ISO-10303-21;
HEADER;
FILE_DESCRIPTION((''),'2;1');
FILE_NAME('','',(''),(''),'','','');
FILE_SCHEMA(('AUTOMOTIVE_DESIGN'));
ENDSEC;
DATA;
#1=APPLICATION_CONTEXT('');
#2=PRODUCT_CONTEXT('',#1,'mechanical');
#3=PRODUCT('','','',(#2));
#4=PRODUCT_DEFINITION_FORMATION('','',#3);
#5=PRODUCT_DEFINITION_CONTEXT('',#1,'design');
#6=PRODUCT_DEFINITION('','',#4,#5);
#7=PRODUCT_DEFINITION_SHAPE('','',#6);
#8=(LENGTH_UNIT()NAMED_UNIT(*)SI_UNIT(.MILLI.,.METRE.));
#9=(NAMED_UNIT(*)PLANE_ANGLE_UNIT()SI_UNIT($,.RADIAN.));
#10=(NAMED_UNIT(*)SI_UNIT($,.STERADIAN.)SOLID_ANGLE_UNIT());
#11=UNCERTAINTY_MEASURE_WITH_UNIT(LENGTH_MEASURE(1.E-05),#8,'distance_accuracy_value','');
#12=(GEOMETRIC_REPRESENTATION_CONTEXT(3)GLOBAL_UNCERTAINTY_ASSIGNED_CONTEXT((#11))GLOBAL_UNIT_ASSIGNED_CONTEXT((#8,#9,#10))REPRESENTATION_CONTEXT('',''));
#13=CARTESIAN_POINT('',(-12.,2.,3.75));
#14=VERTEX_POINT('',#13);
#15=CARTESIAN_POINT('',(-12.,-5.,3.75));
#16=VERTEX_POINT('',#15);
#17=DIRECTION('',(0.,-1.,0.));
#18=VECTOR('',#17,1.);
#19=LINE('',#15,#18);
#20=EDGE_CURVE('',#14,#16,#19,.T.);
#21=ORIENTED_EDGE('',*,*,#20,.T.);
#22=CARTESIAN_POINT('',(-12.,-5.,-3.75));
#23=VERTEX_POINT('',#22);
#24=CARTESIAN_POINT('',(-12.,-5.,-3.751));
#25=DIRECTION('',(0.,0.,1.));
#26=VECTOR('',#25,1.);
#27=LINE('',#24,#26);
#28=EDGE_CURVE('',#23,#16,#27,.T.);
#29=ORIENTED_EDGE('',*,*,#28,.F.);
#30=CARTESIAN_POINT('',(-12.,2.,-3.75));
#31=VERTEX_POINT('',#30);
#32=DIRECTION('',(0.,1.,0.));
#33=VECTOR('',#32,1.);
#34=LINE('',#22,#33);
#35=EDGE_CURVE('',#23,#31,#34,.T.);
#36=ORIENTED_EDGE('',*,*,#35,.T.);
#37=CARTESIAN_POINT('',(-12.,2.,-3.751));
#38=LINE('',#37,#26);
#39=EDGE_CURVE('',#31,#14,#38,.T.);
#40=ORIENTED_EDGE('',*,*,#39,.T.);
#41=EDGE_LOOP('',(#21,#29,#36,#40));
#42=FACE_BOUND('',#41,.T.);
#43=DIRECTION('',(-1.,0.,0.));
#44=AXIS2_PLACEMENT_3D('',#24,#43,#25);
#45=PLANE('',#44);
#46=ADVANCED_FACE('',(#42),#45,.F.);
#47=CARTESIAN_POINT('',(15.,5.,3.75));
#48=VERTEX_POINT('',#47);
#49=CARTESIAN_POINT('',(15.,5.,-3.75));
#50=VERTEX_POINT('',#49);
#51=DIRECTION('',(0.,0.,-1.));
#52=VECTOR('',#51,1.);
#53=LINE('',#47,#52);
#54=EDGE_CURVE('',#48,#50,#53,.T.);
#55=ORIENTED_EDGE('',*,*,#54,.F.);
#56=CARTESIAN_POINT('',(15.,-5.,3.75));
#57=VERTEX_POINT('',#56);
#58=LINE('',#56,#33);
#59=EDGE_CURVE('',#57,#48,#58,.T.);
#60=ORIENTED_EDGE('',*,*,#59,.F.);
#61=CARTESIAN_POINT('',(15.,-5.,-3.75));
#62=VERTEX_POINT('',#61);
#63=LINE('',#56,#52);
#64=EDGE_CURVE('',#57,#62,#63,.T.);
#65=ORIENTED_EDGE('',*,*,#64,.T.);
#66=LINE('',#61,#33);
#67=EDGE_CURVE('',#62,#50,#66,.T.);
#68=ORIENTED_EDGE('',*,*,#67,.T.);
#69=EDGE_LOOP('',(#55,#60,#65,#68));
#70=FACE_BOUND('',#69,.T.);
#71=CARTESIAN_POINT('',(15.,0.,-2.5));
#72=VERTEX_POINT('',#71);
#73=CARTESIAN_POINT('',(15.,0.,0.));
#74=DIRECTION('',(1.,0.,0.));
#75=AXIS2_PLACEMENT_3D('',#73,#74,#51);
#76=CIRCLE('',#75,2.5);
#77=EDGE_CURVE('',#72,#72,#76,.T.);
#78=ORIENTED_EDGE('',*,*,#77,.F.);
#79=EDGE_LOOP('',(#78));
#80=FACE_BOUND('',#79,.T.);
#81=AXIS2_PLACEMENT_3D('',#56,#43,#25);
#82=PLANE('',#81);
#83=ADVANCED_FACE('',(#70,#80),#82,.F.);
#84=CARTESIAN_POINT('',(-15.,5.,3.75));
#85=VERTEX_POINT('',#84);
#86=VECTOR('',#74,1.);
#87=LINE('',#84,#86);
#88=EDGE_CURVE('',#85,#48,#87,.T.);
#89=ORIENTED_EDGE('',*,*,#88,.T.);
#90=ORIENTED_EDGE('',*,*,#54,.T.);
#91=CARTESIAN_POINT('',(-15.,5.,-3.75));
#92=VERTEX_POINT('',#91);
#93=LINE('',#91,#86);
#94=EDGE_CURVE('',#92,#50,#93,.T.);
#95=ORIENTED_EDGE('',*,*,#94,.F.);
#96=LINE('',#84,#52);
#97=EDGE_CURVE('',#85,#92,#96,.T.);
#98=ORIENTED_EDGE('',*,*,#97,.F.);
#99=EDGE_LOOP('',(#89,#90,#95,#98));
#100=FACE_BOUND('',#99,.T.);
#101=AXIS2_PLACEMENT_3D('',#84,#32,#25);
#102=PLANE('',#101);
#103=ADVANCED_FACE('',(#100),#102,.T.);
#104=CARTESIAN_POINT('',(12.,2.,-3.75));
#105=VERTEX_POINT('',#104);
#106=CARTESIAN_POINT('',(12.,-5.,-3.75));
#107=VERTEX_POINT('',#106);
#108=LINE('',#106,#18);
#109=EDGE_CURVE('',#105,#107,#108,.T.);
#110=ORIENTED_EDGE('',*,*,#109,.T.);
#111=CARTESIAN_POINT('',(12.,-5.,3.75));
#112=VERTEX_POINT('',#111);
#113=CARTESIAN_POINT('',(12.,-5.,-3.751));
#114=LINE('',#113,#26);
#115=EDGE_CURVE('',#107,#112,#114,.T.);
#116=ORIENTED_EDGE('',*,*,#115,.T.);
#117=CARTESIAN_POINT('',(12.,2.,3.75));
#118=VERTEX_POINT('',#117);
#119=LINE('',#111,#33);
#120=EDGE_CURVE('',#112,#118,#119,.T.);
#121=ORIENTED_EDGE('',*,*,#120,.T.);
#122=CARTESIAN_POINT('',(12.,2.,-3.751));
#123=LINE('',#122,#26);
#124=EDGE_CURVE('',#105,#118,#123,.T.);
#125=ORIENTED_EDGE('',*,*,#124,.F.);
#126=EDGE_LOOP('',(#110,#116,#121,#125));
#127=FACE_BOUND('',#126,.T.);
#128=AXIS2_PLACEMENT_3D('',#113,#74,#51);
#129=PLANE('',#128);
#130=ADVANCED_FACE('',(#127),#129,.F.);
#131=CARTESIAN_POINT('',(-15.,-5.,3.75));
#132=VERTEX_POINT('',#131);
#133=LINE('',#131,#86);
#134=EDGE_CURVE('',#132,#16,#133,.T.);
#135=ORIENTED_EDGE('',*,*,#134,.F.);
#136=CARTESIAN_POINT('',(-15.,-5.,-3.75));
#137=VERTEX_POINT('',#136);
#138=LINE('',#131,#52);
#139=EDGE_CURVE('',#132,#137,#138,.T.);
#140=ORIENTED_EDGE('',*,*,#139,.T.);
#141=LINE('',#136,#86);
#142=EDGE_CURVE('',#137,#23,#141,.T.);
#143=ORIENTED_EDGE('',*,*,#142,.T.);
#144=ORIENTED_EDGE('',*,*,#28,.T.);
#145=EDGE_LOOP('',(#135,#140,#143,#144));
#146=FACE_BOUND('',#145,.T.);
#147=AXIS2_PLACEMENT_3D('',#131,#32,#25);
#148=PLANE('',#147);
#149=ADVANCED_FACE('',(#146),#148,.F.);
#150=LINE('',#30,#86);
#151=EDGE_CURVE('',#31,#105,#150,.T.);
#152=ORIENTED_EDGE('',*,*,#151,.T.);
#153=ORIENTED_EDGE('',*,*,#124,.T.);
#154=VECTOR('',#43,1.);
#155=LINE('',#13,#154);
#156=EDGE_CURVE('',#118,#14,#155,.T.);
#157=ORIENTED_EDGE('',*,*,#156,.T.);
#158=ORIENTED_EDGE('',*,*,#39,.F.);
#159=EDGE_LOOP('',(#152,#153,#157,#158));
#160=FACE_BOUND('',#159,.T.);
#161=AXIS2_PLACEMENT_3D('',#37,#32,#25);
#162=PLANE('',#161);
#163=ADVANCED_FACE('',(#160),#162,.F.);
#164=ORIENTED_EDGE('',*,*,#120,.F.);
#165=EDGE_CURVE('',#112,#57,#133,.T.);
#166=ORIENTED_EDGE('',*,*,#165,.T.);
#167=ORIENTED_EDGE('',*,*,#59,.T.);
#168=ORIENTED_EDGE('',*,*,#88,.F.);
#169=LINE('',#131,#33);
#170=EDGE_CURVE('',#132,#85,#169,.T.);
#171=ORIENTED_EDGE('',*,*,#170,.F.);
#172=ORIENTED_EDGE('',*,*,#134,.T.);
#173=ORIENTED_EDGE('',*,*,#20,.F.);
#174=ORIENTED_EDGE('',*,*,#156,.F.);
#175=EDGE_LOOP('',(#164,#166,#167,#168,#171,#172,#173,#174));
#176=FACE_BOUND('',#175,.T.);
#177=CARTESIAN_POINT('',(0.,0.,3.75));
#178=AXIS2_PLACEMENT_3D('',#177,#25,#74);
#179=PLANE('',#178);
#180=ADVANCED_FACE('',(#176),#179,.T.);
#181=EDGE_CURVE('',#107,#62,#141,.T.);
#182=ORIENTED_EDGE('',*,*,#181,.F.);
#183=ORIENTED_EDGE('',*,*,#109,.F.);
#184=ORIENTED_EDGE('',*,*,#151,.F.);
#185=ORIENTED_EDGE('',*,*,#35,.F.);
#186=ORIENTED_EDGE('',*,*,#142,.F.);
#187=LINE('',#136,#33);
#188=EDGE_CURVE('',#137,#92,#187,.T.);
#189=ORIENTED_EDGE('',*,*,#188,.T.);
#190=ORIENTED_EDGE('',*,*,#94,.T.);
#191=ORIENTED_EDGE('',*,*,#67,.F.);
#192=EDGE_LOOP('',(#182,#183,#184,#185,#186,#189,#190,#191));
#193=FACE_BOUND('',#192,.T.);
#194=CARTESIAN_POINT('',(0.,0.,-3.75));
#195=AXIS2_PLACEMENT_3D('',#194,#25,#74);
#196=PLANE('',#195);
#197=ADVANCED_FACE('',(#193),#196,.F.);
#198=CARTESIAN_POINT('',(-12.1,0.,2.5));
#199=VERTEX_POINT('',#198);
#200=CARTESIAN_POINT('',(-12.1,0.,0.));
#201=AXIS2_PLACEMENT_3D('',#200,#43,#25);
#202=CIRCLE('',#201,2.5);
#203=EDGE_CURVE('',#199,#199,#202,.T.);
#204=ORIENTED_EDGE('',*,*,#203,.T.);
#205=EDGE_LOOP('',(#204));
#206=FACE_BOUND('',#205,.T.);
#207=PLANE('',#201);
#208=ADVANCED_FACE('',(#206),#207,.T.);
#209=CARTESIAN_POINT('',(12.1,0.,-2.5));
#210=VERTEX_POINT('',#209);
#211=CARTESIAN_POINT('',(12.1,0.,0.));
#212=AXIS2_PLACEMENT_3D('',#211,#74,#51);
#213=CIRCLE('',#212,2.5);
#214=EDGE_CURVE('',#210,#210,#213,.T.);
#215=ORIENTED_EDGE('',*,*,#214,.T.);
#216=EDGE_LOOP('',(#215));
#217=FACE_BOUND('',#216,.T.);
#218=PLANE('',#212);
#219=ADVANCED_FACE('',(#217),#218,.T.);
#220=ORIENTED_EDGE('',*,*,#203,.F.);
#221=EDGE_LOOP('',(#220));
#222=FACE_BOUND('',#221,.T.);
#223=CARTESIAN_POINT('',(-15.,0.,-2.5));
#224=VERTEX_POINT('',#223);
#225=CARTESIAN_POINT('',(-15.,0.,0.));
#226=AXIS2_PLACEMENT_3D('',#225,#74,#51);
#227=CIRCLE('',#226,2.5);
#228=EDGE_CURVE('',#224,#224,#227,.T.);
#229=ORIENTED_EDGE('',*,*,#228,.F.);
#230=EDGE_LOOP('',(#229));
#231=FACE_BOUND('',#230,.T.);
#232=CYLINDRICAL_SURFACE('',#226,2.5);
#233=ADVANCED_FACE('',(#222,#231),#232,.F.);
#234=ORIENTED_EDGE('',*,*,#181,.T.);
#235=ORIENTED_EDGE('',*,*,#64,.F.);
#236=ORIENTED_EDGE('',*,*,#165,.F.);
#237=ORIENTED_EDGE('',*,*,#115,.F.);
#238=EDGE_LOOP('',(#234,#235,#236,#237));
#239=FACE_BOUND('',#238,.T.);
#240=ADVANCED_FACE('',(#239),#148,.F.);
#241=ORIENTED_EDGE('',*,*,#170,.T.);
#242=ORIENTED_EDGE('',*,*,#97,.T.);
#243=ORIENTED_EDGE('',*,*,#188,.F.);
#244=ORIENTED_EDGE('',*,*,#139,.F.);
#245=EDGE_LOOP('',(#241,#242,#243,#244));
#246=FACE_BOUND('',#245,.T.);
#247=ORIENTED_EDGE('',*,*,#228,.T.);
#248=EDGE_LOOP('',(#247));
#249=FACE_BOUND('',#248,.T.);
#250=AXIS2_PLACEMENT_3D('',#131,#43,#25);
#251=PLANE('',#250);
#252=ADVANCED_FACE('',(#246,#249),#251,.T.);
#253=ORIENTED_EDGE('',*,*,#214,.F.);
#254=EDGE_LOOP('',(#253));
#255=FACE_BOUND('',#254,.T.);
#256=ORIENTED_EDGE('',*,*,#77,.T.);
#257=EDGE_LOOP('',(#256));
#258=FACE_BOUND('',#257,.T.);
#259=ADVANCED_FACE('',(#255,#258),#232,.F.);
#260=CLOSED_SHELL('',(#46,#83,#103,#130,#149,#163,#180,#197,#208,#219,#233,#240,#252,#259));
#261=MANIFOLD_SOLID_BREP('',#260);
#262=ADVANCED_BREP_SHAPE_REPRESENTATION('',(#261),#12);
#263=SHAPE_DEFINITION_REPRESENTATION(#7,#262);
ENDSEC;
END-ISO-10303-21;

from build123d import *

# Parameters (mm, degrees)
SKETCH1_W               = 30
SKETCH1_H               = 10
BOSS_EXTRUDE1_DEPTH     = 3.75
CUT_EXTRUDE1_REACH      = 9.5
SKETCH2_W               = 24
SKETCH2_H               = 7
SKETCH4_R               = 2.5
CUT_EXTRUDE2_DEPTH      = 16
CUT_EXTRUDE2_DEPTH_BACK = 16
BOSS_EXTRUDE2_START     = -3
SKETCH5_R               = 2.5
BOSS_EXTRUDE2_DEPTH     = 0.1
BOSS_EXTRUDE3_START     = -3
SKETCH6_R               = 2.5
BOSS_EXTRUDE3_DEPTH     = 0.1
SKETCH7_W               = 24
SKETCH7_H               = 3
BOSS_EXTRUDE4_DEPTH     = 7.5


with BuildPart() as part:
    # Sketch1 → Boss-Extrude1 (new body, symmetric)
    with BuildSketch(Plane.XY):
        Rectangle(SKETCH1_W, SKETCH1_H)
    extrude(amount=BOSS_EXTRUDE1_DEPTH, both=True)

    # Sketch2 → Cut-Extrude1 (cut, up to next)
    with BuildSketch(Plane.XY.offset(3.75), mode=Mode.PRIVATE) as cut_extrude1_sk1:
        with Locations((0, -1.5)):
            Rectangle(SKETCH2_W, SKETCH2_H)
    cut_extrude1_tool1 = extrude(cut_extrude1_sk1.sketch, amount=-CUT_EXTRUDE1_REACH, mode=Mode.PRIVATE) & part.part
    add(cut_extrude1_tool1.solids().sort_by_distance((0, -1.5, 3.75))[0], mode=Mode.SUBTRACT)

    # Sketch4 → Cut-Extrude2 (cut, two sides)
    with BuildSketch(Plane(origin=(0, 0, 0), x_dir=(0, 0, -1), z_dir=(1, 0, 0))) as cut_extrude2_sk:
        Circle(SKETCH4_R)
    extrude(amount=CUT_EXTRUDE2_DEPTH, mode=Mode.SUBTRACT)
    extrude(cut_extrude2_sk.sketch, amount=-CUT_EXTRUDE2_DEPTH_BACK, mode=Mode.SUBTRACT)

    # Sketch5 → Boss-Extrude2 (add)
    with BuildSketch(Plane(origin=(15, 0, 0), x_dir=(0, 0, -1), z_dir=(1, 0, 0)).offset(BOSS_EXTRUDE2_START)):
        Circle(SKETCH5_R)
    extrude(amount=BOSS_EXTRUDE2_DEPTH)

    # Sketch6 → Boss-Extrude3 (add)
    with BuildSketch(Plane.ZY.offset(15).offset(BOSS_EXTRUDE3_START)):
        Circle(SKETCH6_R)
    extrude(amount=BOSS_EXTRUDE3_DEPTH)

    # Sketch7 → Boss-Extrude4 (add)
    with BuildSketch(Plane(origin=(0, 0, -3.75), x_dir=(-1, 0, 0), z_dir=(0, 0, -1))):
        with Locations((0, 3.5)):
            Rectangle(SKETCH7_W, SKETCH7_H)
    extrude(amount=-BOSS_EXTRUDE4_DEPTH)


solid = part.part
